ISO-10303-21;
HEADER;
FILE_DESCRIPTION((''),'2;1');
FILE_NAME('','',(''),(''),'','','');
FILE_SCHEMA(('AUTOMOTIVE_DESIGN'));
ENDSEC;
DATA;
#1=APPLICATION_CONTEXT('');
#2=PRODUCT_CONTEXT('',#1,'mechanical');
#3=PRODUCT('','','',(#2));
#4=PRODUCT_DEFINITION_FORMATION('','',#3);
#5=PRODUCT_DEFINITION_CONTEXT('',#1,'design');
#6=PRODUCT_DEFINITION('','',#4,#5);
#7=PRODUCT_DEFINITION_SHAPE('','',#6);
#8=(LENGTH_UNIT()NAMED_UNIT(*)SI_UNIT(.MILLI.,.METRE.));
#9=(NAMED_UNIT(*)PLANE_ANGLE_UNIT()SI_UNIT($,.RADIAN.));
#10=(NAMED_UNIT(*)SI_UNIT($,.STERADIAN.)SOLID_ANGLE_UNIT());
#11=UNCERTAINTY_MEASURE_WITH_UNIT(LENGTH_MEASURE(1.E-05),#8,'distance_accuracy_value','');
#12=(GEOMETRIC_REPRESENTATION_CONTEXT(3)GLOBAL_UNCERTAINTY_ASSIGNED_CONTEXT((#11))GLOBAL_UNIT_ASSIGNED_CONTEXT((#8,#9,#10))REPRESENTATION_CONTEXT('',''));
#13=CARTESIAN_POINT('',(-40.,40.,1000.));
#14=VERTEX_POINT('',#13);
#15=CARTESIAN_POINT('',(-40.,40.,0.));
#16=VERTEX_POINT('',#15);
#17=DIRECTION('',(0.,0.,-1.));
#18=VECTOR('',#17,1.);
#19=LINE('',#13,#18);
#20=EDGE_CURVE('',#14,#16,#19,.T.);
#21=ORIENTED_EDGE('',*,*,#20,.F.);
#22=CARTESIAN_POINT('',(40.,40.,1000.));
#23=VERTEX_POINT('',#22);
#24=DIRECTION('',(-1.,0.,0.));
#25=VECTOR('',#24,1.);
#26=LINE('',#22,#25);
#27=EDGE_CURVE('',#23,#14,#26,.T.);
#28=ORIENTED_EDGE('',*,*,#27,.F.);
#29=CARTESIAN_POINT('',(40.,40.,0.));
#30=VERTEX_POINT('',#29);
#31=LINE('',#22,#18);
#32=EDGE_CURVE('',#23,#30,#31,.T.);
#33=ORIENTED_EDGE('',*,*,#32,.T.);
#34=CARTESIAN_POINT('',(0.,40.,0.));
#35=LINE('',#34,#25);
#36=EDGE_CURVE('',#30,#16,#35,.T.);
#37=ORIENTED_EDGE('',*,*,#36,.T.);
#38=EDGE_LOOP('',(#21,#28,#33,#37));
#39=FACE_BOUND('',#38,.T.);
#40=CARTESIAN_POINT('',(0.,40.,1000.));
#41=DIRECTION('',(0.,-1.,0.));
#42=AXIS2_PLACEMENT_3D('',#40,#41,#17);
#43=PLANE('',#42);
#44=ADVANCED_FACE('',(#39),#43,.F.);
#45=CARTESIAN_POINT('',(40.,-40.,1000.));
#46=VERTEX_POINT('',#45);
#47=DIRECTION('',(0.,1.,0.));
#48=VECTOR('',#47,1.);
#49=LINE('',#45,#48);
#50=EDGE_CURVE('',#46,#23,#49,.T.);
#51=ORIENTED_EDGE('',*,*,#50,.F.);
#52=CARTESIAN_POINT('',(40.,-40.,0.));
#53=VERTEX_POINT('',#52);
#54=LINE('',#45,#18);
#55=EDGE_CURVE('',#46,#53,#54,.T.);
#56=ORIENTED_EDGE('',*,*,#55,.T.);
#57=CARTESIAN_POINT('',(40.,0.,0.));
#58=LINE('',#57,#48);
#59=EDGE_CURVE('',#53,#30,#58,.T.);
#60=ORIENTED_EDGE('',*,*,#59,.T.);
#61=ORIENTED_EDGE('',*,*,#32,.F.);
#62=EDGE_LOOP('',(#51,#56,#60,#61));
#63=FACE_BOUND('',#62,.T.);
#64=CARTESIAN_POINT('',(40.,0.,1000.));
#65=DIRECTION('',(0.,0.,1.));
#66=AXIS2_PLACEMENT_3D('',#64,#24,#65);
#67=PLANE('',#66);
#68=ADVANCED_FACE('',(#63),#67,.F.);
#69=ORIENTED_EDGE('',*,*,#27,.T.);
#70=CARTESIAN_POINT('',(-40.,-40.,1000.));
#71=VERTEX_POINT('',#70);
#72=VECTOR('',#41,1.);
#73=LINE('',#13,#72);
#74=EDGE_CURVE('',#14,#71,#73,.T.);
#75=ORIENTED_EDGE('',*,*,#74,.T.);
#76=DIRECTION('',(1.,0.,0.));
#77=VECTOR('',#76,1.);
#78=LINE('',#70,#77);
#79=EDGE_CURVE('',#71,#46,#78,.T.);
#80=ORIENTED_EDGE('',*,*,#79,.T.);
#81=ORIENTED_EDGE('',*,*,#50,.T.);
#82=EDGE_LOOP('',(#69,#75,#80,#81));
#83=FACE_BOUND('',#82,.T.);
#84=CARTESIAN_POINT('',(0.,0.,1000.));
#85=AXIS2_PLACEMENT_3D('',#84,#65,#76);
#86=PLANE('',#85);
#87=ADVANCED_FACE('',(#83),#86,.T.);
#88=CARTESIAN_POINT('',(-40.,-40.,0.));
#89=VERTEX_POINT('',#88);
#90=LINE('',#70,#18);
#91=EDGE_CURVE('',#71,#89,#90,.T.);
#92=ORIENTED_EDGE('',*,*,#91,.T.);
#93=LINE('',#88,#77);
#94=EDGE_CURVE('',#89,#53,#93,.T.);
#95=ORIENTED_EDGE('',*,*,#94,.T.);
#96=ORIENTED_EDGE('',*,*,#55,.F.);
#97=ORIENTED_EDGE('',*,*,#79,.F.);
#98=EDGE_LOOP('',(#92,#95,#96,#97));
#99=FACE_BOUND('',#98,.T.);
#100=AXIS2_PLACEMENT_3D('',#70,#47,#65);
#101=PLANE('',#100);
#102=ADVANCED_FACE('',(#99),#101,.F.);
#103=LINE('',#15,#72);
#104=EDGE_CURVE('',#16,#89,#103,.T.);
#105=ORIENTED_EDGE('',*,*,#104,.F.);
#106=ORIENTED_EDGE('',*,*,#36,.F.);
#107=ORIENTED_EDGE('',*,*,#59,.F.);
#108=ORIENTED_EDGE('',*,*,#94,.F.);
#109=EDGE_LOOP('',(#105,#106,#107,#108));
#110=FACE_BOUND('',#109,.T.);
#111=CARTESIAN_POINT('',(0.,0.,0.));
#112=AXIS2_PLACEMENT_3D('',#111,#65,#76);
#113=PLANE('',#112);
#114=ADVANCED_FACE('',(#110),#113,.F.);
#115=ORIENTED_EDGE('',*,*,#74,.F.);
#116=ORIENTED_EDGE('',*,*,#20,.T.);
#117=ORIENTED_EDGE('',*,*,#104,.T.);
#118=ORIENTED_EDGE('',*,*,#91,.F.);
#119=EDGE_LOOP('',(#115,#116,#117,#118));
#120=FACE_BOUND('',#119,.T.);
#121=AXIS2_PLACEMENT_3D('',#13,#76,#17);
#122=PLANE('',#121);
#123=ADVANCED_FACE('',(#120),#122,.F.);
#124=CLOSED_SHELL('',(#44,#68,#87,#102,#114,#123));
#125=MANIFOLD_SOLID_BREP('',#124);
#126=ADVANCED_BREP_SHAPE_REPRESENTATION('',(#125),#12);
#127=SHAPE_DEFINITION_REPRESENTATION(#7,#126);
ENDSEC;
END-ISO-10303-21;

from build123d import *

# Parameters (mm, degrees)
BOSS_EXTRUDE1_DEPTH = 1000


with BuildPart() as part:
    # Sketch1 → Boss-Extrude1 (new body)
    with BuildSketch(Plane.XY):
        Polygon((0, 40), (-40, 40), (-40, -40), (40, -40), (40, 0), (40, 40), align=None)
    extrude(amount=BOSS_EXTRUDE1_DEPTH)


solid = part.part
